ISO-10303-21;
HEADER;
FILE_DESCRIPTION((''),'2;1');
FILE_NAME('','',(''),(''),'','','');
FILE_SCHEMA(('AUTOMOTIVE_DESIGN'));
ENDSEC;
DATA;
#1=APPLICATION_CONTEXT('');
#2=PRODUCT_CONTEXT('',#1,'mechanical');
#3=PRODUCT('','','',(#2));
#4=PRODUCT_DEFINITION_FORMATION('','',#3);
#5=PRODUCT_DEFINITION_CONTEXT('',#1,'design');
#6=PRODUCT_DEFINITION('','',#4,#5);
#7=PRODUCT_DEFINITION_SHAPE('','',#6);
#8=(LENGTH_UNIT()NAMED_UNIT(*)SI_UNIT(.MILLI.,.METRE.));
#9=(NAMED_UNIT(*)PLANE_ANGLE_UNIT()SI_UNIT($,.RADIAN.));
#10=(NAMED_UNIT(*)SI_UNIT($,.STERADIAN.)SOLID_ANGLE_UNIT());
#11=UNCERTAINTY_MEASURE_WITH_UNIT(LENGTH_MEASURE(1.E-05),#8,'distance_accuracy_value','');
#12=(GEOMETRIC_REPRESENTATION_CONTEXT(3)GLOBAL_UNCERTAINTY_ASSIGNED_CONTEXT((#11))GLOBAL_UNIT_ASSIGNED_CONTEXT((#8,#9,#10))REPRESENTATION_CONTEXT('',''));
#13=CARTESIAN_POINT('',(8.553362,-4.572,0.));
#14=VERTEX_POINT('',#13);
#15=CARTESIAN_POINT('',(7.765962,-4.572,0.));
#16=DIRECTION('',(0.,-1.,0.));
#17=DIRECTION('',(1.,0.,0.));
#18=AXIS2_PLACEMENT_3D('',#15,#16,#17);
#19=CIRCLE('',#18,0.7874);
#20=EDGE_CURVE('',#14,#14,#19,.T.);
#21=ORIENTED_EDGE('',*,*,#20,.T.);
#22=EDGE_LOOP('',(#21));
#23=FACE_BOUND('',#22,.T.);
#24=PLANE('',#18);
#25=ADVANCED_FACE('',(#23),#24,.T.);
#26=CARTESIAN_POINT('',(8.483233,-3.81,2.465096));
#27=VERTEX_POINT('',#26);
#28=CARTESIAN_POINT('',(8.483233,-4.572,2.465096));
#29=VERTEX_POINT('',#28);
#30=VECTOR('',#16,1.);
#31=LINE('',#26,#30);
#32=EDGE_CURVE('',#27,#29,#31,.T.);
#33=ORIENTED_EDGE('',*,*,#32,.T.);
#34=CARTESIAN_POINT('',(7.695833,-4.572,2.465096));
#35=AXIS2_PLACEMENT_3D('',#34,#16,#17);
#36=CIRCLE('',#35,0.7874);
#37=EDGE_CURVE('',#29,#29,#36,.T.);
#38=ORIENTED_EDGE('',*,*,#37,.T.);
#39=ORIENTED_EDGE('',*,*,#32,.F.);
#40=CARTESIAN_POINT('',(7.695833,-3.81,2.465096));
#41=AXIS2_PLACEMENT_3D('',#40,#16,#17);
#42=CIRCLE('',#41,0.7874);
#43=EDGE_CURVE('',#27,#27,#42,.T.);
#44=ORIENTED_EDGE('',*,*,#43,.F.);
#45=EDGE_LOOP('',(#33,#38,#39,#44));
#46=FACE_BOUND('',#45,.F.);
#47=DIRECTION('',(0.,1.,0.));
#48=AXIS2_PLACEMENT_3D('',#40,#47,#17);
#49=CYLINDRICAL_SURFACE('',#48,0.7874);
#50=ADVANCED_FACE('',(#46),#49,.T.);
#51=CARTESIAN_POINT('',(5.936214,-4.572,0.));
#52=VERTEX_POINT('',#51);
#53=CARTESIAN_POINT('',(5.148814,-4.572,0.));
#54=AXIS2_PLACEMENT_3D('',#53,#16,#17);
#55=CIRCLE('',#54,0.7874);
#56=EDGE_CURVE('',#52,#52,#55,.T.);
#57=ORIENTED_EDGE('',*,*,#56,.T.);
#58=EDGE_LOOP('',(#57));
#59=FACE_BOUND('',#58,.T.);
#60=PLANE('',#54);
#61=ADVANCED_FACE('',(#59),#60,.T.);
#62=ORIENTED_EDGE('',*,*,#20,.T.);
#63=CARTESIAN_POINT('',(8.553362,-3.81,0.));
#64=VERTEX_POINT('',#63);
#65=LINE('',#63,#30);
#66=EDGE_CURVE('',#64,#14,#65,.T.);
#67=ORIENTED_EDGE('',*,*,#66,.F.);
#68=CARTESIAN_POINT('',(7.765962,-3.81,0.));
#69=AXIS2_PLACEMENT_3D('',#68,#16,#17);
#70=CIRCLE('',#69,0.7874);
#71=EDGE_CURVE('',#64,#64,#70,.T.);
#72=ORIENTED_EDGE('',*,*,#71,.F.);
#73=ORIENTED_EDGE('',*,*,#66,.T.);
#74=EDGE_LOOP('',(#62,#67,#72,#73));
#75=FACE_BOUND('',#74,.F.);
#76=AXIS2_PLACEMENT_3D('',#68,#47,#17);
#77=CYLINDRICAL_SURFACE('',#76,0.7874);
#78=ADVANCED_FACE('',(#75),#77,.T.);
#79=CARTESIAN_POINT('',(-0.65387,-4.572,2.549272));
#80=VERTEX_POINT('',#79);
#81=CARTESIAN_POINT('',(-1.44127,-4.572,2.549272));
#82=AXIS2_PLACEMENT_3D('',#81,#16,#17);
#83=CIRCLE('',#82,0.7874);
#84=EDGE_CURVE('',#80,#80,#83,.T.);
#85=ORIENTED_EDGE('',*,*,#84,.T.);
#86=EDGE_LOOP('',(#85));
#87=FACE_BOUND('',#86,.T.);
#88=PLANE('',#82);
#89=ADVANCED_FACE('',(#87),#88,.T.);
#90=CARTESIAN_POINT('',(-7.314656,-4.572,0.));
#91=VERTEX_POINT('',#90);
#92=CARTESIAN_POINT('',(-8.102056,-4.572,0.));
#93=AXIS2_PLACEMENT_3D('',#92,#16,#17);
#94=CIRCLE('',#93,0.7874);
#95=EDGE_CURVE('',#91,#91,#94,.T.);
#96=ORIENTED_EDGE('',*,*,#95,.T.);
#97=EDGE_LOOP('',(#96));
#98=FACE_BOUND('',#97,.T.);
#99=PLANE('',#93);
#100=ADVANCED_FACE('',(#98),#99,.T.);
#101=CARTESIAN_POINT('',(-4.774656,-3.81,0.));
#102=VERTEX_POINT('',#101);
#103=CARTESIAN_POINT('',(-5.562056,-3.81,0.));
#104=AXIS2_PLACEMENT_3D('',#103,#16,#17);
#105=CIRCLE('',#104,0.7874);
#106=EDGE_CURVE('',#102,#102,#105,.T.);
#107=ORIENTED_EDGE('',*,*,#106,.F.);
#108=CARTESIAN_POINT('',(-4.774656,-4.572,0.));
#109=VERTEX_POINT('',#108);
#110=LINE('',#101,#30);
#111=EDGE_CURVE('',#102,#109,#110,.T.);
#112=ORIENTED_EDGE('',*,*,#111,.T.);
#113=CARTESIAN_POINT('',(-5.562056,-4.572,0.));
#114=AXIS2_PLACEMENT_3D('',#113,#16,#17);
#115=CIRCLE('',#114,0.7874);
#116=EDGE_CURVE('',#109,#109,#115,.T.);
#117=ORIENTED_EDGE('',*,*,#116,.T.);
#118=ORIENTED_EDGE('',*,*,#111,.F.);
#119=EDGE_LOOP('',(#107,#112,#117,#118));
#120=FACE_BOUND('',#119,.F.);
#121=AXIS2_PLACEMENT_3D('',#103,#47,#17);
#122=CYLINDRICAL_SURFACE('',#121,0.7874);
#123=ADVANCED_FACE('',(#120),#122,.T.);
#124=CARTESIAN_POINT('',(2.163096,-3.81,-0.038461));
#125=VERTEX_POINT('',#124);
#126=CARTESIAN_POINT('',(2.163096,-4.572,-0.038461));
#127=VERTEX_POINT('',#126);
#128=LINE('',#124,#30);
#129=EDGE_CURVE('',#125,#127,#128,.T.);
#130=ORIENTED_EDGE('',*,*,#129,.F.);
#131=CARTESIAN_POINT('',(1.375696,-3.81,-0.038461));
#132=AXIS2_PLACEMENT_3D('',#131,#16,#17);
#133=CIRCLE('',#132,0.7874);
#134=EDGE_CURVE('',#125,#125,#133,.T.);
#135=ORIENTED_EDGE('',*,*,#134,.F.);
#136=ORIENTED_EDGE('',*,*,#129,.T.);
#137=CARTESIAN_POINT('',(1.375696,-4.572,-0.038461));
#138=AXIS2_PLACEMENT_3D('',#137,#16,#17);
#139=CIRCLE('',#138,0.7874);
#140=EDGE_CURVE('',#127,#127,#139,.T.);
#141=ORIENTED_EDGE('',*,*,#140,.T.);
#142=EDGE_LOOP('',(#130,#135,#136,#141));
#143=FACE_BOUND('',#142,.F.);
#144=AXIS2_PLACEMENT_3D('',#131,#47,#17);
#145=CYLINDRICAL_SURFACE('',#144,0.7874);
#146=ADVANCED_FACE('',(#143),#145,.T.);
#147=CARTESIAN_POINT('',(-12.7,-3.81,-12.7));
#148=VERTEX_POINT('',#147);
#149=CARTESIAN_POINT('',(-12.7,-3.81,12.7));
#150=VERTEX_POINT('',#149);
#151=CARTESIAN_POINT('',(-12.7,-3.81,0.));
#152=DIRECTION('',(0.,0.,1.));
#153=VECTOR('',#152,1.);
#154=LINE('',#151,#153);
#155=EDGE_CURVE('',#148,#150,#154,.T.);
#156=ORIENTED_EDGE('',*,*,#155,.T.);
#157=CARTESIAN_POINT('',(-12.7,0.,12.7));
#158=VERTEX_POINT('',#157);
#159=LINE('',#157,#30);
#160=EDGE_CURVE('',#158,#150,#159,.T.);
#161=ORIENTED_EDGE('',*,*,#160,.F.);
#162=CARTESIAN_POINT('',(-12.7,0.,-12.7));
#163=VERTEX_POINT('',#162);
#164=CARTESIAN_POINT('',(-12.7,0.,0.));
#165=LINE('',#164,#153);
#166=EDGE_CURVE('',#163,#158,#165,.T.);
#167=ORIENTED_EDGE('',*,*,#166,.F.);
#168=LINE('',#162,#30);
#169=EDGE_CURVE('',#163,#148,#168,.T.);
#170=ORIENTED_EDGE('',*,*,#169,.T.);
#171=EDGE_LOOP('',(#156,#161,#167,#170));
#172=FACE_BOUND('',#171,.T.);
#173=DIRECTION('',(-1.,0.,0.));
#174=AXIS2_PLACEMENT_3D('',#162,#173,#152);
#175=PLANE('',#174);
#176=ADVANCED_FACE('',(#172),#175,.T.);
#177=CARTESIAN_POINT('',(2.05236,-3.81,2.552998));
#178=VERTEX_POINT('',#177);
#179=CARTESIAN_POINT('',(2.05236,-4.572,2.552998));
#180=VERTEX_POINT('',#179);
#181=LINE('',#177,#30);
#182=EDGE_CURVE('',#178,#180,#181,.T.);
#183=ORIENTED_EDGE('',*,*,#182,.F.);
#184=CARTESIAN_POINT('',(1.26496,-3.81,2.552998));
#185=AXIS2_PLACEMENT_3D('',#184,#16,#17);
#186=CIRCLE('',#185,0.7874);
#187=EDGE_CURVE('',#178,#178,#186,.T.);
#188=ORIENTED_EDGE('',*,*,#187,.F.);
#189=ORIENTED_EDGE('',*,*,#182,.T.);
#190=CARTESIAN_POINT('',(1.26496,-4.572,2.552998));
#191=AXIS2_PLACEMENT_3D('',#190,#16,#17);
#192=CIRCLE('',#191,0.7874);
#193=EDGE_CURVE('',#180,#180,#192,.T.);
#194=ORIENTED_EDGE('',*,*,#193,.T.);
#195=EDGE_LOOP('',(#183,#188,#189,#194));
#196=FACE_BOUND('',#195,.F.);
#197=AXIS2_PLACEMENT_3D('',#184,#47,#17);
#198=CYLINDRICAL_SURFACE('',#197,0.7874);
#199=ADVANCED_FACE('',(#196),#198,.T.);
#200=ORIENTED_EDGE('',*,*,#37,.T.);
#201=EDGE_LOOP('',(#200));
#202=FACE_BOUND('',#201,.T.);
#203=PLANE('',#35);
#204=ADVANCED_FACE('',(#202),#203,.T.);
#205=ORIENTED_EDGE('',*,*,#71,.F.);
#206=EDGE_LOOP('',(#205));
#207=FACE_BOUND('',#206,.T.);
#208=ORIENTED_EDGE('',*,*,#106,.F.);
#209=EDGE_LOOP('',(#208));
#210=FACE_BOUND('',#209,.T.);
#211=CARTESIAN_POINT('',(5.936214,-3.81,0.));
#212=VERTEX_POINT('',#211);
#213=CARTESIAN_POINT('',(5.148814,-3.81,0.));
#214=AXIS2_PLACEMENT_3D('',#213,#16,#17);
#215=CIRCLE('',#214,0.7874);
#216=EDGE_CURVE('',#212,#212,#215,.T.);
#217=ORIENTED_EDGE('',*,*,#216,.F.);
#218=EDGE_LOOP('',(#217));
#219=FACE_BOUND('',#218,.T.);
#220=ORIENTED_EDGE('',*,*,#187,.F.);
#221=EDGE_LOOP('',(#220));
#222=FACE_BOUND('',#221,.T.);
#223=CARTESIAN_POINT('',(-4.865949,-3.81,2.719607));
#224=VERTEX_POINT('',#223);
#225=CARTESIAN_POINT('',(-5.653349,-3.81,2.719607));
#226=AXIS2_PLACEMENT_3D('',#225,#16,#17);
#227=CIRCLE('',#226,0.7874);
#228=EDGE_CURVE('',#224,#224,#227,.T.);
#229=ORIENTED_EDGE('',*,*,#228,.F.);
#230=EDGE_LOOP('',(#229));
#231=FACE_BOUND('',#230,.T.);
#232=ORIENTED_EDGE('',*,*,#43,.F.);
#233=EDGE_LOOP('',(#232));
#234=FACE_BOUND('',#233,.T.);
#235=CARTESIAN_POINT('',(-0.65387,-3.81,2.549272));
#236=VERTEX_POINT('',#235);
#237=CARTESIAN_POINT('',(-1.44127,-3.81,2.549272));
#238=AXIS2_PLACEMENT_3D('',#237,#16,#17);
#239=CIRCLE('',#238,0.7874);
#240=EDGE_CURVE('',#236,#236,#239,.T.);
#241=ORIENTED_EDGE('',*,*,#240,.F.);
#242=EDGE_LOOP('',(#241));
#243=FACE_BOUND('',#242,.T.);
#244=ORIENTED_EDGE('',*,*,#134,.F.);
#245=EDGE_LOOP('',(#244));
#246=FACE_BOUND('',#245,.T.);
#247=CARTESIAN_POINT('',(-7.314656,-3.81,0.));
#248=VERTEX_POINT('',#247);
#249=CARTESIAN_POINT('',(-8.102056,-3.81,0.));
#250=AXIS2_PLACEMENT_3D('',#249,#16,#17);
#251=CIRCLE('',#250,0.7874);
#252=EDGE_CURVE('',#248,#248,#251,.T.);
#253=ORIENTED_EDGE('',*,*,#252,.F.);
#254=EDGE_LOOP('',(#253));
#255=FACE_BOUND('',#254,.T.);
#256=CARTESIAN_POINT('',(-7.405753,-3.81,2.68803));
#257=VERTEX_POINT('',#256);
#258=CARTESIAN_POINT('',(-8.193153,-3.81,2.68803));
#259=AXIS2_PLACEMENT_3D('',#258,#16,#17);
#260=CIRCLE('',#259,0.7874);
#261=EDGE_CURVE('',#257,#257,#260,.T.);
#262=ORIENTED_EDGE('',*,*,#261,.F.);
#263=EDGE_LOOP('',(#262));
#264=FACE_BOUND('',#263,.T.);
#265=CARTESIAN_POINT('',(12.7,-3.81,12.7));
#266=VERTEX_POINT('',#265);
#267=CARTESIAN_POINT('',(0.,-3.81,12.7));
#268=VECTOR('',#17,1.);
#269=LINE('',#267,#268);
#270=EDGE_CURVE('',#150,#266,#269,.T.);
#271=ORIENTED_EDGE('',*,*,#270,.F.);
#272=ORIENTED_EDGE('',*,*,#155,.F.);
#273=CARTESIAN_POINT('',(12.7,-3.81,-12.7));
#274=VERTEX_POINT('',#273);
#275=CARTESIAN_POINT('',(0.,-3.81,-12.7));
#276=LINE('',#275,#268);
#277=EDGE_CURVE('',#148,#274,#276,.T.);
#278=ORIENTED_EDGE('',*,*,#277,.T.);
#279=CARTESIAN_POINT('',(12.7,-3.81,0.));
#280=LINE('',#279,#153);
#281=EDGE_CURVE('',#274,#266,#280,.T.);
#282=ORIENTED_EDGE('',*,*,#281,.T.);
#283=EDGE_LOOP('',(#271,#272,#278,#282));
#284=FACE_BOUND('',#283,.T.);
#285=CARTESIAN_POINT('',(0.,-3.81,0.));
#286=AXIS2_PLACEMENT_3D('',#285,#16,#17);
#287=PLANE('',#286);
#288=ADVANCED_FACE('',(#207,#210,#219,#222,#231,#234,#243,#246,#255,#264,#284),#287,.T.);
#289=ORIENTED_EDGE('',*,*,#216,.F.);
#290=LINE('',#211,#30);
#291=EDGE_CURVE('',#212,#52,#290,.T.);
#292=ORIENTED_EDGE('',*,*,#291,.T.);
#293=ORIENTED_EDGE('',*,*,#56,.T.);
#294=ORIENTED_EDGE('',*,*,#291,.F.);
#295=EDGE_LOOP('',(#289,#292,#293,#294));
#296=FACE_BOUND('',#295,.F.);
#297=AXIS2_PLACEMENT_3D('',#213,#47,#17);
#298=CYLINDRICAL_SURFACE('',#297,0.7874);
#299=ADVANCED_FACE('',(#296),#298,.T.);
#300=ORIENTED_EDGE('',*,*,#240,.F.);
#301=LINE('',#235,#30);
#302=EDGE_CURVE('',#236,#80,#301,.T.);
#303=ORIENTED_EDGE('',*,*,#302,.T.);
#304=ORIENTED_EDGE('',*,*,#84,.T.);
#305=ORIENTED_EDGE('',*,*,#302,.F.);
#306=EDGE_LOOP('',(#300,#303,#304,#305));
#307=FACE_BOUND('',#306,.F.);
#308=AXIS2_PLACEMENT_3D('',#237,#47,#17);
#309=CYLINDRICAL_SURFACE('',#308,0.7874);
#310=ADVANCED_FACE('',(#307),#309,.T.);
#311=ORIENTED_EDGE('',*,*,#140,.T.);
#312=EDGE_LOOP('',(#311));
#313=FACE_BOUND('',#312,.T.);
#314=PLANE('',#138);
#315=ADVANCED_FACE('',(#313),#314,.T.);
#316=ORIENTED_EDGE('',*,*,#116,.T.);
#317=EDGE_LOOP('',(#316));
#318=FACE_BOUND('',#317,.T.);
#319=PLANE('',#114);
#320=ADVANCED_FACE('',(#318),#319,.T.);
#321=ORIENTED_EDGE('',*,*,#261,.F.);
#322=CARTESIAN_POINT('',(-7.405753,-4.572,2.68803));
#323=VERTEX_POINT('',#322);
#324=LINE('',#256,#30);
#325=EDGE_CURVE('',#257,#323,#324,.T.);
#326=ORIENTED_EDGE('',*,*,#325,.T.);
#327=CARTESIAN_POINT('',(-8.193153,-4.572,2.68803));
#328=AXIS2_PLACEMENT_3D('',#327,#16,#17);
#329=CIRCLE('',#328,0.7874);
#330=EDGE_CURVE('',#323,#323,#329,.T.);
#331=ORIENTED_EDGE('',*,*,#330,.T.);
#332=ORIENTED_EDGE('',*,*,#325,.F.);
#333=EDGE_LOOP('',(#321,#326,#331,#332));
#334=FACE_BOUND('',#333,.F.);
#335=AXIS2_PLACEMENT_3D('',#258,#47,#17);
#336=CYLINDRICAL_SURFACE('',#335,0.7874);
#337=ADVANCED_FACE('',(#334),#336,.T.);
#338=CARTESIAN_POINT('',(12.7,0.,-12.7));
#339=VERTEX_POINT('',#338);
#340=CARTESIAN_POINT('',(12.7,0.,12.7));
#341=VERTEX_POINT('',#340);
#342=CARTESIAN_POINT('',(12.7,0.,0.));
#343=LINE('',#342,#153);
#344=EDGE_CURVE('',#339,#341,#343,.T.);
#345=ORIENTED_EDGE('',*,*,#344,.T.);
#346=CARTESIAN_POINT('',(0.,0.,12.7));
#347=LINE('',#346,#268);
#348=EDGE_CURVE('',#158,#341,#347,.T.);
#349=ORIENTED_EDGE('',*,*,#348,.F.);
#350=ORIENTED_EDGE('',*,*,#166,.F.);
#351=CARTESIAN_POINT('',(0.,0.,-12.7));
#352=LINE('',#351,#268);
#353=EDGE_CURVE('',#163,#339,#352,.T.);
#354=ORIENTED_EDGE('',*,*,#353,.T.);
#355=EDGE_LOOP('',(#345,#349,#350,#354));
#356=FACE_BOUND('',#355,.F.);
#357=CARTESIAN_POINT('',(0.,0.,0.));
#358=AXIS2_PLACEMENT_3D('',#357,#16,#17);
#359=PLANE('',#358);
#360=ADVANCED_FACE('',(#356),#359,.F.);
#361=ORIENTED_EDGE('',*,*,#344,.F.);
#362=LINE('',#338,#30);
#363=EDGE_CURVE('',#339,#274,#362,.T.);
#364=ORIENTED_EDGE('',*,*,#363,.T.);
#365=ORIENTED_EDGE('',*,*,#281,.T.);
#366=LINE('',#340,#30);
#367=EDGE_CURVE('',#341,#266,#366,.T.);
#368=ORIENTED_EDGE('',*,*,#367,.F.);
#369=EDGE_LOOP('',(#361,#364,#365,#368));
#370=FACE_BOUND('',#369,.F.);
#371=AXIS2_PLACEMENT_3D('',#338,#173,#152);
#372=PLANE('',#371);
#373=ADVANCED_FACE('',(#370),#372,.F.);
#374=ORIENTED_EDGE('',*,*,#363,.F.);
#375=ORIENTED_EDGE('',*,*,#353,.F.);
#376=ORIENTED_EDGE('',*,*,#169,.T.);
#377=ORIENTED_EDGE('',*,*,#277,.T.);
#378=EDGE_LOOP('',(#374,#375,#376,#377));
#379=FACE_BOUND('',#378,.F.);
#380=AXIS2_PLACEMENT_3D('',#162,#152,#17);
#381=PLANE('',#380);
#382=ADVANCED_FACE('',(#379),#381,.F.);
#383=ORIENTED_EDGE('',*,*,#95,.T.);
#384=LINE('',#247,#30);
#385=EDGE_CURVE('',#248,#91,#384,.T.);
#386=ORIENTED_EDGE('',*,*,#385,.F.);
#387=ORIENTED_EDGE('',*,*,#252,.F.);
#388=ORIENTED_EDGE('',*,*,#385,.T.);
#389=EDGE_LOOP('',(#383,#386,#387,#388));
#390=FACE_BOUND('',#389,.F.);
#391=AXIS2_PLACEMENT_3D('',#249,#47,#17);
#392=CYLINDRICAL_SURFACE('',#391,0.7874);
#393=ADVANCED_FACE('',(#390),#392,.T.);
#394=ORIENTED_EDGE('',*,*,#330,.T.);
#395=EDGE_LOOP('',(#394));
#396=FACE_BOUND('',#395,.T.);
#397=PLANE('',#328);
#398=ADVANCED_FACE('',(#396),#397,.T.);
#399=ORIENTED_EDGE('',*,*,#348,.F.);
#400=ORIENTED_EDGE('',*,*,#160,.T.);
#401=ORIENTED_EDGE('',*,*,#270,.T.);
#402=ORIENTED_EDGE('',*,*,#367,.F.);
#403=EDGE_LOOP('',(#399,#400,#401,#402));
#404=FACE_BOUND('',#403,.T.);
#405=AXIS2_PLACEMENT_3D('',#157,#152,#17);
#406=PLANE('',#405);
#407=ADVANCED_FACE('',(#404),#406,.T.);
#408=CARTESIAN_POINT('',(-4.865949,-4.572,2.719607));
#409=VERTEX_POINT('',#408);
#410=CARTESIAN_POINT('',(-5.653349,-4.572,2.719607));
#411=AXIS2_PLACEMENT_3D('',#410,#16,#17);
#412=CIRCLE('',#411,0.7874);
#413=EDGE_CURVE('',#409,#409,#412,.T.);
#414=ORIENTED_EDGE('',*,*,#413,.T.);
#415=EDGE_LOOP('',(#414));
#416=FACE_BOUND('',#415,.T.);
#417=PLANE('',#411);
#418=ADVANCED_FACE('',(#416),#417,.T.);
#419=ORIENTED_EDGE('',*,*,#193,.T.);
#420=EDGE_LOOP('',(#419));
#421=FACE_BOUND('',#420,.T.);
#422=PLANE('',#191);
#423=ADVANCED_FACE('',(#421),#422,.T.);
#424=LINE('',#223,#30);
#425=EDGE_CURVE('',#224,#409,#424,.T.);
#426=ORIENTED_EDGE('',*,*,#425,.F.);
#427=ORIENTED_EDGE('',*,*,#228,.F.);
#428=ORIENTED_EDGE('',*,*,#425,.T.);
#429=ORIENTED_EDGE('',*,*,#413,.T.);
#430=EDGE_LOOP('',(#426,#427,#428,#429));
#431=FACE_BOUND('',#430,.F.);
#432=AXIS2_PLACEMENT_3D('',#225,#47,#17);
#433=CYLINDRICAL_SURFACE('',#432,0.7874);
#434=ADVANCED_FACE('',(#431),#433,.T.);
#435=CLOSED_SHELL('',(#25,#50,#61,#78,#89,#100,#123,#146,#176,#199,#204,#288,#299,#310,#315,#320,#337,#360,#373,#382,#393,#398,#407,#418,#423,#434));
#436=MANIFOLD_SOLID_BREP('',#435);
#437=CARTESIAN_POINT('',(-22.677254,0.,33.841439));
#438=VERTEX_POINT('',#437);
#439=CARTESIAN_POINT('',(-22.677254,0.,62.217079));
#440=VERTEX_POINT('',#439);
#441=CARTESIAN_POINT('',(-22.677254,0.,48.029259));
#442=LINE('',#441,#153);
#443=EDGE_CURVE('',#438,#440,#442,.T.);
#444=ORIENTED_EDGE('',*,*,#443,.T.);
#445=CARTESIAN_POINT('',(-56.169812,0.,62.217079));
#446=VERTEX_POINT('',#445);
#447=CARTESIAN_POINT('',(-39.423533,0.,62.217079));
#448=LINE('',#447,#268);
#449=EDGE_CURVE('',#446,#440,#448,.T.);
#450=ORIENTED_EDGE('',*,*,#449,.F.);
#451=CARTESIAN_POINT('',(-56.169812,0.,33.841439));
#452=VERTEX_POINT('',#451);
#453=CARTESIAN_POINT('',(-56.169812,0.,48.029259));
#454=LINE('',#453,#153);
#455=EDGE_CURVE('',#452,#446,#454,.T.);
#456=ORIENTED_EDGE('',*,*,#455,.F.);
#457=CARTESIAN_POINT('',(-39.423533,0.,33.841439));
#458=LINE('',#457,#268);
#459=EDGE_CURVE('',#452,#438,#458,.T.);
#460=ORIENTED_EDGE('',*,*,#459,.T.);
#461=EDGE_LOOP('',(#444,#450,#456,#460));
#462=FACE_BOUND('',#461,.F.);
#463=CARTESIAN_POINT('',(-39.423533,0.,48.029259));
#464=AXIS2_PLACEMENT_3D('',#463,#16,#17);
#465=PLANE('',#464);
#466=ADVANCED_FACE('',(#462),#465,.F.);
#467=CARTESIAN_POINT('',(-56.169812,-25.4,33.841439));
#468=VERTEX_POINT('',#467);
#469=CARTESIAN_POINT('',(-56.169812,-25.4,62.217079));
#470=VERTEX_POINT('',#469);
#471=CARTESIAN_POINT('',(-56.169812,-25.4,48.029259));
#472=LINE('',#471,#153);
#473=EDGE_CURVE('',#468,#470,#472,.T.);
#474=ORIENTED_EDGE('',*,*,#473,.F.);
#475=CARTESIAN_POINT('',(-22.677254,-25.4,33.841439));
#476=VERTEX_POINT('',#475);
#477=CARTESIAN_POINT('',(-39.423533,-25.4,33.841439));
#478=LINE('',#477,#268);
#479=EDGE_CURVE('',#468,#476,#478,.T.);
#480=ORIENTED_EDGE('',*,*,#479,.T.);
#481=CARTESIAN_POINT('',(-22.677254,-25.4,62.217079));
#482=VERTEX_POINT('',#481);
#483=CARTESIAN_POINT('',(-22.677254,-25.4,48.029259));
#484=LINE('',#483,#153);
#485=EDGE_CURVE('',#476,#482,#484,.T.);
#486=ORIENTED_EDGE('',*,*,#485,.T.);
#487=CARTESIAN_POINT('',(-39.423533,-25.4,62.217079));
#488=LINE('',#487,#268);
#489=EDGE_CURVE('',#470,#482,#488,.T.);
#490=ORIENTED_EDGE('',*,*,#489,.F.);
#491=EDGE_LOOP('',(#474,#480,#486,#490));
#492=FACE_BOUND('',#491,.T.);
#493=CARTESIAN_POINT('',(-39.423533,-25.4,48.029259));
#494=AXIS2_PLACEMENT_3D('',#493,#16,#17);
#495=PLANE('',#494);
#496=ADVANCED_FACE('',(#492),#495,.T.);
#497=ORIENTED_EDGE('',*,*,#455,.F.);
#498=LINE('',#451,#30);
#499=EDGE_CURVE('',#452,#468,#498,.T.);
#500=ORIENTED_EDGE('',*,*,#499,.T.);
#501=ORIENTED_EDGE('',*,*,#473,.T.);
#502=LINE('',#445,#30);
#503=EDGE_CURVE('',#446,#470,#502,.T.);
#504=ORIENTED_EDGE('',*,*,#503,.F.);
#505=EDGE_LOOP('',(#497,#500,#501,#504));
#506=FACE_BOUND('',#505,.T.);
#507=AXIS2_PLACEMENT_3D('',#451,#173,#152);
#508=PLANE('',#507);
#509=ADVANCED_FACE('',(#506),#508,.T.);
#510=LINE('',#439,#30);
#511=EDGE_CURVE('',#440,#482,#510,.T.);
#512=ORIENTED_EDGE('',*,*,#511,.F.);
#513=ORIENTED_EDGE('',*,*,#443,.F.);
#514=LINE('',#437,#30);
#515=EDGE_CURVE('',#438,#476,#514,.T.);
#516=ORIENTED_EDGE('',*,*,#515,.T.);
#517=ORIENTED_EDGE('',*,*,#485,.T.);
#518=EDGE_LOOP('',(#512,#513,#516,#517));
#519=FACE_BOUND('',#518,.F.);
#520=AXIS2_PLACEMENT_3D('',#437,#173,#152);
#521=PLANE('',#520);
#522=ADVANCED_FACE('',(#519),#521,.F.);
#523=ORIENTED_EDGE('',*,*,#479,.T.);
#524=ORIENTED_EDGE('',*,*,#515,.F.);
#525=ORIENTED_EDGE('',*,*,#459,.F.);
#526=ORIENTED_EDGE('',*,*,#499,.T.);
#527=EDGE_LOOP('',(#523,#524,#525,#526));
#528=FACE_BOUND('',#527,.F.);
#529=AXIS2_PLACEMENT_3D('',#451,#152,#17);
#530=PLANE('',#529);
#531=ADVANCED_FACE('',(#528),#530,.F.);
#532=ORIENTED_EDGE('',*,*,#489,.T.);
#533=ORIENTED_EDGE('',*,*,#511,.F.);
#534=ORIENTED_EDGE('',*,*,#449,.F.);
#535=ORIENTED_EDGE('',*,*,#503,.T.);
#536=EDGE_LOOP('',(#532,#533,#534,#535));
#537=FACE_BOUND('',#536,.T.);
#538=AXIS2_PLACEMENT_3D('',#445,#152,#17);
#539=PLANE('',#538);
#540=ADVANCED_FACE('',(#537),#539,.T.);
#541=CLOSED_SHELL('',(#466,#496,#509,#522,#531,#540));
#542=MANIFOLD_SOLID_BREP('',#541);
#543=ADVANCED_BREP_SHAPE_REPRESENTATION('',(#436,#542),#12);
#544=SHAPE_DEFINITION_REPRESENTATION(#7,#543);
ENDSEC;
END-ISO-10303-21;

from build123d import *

# Parameters (mm, degrees)
F0_W     = 25.4
F0_H     = 25.4
F1_DEPTH = 3.81
F3_R     = 0.7874
F5_R     = 0.7874
F4_R     = 0.7874
F6_DEPTH = 0.762
F7_W     = 33.492558
F7_H     = 28.37564
F8_DEPTH = 25.4


with BuildPart() as f1:
    # F0 (on Front) → F1 (new body)
    with BuildSketch(Plane.XZ):
        Rectangle(F0_W, F0_H)
    extrude(amount=F1_DEPTH)

    # F3 (on face) + F5 (on face) + F4 (on face) → F6 (join)
    with BuildSketch(Plane.XZ.offset(3.81)):
        with Locations((-5.562056, 0)):
            Circle(F3_R)
        with Locations((-8.102056, 0)):
            Circle(F3_R)
        with Locations((-8.193153, 2.68803)):
            Circle(F3_R)
        with Locations((-5.653349, 2.719607)):
            Circle(F3_R)
    with BuildSketch(Plane.XZ.offset(3.81)):
        with Locations((7.695833, 2.465096)):
            Circle(F5_R)
        with Locations((5.148814, 0)):
            Circle(F5_R)
        with Locations((7.765962, 0)):
            Circle(F5_R)
    with BuildSketch(Plane.XZ.offset(3.81)):
        with Locations((1.375696, -0.038461)):
            Circle(F4_R)
        with Locations((-1.44127, 2.549272)):
            Circle(F4_R)
        with Locations((1.26496, 2.552998)):
            Circle(F4_R)
    extrude(amount=F6_DEPTH)


with BuildPart() as f8:
    # F7 (on Front) → F8 (new body)
    with BuildSketch(Plane.XZ):
        with Locations((-39.423533, 48.029259)):
            Rectangle(F7_W, F7_H)
    extrude(amount=F8_DEPTH)


solid = Compound([f1.part, f8.part])
